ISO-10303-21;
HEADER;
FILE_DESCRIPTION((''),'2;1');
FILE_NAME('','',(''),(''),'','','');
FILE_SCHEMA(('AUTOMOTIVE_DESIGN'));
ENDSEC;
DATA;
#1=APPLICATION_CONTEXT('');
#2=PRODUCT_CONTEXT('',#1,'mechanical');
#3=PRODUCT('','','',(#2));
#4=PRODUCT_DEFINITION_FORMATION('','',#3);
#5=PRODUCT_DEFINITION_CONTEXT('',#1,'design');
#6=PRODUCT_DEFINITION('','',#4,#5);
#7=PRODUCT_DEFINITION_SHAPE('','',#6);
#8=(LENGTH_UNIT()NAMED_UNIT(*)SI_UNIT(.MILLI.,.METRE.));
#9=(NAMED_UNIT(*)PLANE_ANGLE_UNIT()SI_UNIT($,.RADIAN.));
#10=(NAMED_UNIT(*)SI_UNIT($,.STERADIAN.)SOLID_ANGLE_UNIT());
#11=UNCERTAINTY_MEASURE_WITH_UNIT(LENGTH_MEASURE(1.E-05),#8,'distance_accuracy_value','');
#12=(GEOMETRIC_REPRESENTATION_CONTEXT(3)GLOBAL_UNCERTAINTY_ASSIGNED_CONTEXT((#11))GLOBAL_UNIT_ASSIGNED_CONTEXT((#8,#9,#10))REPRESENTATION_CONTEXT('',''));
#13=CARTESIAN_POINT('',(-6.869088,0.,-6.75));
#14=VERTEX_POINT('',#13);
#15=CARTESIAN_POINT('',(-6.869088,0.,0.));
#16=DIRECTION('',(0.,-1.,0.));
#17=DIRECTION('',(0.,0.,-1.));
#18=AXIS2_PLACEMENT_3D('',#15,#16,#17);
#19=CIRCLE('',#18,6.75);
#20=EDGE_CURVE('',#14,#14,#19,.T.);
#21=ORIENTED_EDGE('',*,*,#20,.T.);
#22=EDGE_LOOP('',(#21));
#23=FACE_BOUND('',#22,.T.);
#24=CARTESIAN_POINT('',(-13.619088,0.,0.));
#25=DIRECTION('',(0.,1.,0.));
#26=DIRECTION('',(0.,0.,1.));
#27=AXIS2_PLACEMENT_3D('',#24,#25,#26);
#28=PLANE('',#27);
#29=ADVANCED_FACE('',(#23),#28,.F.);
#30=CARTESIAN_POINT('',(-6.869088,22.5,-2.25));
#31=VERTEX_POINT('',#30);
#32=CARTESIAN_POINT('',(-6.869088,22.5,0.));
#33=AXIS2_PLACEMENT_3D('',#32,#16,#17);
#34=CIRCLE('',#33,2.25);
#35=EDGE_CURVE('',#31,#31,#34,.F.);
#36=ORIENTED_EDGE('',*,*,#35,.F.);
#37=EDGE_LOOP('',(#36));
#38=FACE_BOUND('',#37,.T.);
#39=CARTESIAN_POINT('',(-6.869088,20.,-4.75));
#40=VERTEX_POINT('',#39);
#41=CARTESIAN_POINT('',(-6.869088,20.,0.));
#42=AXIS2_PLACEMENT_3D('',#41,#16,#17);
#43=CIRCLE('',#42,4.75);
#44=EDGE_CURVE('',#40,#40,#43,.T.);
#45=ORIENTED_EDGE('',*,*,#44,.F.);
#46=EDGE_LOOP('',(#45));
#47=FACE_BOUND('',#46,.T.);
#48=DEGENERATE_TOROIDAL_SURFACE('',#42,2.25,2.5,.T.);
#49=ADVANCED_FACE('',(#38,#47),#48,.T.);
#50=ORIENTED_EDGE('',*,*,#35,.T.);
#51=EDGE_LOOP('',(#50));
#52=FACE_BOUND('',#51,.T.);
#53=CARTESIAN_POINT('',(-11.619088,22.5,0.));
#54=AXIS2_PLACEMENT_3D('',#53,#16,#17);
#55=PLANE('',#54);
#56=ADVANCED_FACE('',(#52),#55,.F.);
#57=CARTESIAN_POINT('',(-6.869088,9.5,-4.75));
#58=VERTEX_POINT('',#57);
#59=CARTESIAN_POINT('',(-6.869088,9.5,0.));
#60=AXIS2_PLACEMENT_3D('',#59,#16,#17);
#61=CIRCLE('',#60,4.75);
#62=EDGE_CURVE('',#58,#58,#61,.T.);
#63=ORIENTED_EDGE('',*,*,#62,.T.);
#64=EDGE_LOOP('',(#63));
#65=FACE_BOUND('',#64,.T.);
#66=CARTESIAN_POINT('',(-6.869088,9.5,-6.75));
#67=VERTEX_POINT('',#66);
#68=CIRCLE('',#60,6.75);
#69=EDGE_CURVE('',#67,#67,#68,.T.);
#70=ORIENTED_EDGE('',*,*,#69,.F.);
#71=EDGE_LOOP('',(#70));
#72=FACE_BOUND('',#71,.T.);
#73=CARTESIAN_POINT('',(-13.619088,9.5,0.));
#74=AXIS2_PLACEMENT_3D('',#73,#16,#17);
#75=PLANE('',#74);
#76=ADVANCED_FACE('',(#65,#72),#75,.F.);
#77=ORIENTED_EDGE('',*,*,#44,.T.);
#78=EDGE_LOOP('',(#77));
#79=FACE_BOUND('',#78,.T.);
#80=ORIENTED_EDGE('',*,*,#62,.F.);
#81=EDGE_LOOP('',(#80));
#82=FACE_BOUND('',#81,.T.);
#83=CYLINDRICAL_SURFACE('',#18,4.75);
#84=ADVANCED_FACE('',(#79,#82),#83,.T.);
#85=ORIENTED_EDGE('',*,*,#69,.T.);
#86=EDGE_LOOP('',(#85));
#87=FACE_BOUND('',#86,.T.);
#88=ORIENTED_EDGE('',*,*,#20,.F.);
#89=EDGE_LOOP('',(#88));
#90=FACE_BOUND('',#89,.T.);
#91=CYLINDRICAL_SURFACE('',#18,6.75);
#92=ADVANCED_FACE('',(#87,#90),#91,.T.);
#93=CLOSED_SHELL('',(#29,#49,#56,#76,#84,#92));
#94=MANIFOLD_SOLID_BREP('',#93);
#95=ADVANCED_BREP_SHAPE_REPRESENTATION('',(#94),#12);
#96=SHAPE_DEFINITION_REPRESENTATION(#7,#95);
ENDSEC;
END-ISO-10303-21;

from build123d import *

# Parameters (mm, degrees)
FILETE1_R = 2.5


with BuildPart() as part:
    # Esboço1 → Revolução1 (revolve)
    with BuildSketch(Plane.XY):
        Polygon((-13.619087559, 0), (-13.619087559, 9.5), (-11.619087559, 9.5), (-11.619087559, 22.5), (-6.869087559, 22.5), (-6.869087559, 0), align=None)
    revolve(axis=Axis((-6.869087559, 0, 0), (0, 1, 0)))

    # Filete1
    filete1_edges = [part.edges().sort_by_distance(p)[0] for p in [
        (-2.119087559, 22.5, 0),
    ]]
    fillet(filete1_edges, radius=FILETE1_R)


solid = part.part
